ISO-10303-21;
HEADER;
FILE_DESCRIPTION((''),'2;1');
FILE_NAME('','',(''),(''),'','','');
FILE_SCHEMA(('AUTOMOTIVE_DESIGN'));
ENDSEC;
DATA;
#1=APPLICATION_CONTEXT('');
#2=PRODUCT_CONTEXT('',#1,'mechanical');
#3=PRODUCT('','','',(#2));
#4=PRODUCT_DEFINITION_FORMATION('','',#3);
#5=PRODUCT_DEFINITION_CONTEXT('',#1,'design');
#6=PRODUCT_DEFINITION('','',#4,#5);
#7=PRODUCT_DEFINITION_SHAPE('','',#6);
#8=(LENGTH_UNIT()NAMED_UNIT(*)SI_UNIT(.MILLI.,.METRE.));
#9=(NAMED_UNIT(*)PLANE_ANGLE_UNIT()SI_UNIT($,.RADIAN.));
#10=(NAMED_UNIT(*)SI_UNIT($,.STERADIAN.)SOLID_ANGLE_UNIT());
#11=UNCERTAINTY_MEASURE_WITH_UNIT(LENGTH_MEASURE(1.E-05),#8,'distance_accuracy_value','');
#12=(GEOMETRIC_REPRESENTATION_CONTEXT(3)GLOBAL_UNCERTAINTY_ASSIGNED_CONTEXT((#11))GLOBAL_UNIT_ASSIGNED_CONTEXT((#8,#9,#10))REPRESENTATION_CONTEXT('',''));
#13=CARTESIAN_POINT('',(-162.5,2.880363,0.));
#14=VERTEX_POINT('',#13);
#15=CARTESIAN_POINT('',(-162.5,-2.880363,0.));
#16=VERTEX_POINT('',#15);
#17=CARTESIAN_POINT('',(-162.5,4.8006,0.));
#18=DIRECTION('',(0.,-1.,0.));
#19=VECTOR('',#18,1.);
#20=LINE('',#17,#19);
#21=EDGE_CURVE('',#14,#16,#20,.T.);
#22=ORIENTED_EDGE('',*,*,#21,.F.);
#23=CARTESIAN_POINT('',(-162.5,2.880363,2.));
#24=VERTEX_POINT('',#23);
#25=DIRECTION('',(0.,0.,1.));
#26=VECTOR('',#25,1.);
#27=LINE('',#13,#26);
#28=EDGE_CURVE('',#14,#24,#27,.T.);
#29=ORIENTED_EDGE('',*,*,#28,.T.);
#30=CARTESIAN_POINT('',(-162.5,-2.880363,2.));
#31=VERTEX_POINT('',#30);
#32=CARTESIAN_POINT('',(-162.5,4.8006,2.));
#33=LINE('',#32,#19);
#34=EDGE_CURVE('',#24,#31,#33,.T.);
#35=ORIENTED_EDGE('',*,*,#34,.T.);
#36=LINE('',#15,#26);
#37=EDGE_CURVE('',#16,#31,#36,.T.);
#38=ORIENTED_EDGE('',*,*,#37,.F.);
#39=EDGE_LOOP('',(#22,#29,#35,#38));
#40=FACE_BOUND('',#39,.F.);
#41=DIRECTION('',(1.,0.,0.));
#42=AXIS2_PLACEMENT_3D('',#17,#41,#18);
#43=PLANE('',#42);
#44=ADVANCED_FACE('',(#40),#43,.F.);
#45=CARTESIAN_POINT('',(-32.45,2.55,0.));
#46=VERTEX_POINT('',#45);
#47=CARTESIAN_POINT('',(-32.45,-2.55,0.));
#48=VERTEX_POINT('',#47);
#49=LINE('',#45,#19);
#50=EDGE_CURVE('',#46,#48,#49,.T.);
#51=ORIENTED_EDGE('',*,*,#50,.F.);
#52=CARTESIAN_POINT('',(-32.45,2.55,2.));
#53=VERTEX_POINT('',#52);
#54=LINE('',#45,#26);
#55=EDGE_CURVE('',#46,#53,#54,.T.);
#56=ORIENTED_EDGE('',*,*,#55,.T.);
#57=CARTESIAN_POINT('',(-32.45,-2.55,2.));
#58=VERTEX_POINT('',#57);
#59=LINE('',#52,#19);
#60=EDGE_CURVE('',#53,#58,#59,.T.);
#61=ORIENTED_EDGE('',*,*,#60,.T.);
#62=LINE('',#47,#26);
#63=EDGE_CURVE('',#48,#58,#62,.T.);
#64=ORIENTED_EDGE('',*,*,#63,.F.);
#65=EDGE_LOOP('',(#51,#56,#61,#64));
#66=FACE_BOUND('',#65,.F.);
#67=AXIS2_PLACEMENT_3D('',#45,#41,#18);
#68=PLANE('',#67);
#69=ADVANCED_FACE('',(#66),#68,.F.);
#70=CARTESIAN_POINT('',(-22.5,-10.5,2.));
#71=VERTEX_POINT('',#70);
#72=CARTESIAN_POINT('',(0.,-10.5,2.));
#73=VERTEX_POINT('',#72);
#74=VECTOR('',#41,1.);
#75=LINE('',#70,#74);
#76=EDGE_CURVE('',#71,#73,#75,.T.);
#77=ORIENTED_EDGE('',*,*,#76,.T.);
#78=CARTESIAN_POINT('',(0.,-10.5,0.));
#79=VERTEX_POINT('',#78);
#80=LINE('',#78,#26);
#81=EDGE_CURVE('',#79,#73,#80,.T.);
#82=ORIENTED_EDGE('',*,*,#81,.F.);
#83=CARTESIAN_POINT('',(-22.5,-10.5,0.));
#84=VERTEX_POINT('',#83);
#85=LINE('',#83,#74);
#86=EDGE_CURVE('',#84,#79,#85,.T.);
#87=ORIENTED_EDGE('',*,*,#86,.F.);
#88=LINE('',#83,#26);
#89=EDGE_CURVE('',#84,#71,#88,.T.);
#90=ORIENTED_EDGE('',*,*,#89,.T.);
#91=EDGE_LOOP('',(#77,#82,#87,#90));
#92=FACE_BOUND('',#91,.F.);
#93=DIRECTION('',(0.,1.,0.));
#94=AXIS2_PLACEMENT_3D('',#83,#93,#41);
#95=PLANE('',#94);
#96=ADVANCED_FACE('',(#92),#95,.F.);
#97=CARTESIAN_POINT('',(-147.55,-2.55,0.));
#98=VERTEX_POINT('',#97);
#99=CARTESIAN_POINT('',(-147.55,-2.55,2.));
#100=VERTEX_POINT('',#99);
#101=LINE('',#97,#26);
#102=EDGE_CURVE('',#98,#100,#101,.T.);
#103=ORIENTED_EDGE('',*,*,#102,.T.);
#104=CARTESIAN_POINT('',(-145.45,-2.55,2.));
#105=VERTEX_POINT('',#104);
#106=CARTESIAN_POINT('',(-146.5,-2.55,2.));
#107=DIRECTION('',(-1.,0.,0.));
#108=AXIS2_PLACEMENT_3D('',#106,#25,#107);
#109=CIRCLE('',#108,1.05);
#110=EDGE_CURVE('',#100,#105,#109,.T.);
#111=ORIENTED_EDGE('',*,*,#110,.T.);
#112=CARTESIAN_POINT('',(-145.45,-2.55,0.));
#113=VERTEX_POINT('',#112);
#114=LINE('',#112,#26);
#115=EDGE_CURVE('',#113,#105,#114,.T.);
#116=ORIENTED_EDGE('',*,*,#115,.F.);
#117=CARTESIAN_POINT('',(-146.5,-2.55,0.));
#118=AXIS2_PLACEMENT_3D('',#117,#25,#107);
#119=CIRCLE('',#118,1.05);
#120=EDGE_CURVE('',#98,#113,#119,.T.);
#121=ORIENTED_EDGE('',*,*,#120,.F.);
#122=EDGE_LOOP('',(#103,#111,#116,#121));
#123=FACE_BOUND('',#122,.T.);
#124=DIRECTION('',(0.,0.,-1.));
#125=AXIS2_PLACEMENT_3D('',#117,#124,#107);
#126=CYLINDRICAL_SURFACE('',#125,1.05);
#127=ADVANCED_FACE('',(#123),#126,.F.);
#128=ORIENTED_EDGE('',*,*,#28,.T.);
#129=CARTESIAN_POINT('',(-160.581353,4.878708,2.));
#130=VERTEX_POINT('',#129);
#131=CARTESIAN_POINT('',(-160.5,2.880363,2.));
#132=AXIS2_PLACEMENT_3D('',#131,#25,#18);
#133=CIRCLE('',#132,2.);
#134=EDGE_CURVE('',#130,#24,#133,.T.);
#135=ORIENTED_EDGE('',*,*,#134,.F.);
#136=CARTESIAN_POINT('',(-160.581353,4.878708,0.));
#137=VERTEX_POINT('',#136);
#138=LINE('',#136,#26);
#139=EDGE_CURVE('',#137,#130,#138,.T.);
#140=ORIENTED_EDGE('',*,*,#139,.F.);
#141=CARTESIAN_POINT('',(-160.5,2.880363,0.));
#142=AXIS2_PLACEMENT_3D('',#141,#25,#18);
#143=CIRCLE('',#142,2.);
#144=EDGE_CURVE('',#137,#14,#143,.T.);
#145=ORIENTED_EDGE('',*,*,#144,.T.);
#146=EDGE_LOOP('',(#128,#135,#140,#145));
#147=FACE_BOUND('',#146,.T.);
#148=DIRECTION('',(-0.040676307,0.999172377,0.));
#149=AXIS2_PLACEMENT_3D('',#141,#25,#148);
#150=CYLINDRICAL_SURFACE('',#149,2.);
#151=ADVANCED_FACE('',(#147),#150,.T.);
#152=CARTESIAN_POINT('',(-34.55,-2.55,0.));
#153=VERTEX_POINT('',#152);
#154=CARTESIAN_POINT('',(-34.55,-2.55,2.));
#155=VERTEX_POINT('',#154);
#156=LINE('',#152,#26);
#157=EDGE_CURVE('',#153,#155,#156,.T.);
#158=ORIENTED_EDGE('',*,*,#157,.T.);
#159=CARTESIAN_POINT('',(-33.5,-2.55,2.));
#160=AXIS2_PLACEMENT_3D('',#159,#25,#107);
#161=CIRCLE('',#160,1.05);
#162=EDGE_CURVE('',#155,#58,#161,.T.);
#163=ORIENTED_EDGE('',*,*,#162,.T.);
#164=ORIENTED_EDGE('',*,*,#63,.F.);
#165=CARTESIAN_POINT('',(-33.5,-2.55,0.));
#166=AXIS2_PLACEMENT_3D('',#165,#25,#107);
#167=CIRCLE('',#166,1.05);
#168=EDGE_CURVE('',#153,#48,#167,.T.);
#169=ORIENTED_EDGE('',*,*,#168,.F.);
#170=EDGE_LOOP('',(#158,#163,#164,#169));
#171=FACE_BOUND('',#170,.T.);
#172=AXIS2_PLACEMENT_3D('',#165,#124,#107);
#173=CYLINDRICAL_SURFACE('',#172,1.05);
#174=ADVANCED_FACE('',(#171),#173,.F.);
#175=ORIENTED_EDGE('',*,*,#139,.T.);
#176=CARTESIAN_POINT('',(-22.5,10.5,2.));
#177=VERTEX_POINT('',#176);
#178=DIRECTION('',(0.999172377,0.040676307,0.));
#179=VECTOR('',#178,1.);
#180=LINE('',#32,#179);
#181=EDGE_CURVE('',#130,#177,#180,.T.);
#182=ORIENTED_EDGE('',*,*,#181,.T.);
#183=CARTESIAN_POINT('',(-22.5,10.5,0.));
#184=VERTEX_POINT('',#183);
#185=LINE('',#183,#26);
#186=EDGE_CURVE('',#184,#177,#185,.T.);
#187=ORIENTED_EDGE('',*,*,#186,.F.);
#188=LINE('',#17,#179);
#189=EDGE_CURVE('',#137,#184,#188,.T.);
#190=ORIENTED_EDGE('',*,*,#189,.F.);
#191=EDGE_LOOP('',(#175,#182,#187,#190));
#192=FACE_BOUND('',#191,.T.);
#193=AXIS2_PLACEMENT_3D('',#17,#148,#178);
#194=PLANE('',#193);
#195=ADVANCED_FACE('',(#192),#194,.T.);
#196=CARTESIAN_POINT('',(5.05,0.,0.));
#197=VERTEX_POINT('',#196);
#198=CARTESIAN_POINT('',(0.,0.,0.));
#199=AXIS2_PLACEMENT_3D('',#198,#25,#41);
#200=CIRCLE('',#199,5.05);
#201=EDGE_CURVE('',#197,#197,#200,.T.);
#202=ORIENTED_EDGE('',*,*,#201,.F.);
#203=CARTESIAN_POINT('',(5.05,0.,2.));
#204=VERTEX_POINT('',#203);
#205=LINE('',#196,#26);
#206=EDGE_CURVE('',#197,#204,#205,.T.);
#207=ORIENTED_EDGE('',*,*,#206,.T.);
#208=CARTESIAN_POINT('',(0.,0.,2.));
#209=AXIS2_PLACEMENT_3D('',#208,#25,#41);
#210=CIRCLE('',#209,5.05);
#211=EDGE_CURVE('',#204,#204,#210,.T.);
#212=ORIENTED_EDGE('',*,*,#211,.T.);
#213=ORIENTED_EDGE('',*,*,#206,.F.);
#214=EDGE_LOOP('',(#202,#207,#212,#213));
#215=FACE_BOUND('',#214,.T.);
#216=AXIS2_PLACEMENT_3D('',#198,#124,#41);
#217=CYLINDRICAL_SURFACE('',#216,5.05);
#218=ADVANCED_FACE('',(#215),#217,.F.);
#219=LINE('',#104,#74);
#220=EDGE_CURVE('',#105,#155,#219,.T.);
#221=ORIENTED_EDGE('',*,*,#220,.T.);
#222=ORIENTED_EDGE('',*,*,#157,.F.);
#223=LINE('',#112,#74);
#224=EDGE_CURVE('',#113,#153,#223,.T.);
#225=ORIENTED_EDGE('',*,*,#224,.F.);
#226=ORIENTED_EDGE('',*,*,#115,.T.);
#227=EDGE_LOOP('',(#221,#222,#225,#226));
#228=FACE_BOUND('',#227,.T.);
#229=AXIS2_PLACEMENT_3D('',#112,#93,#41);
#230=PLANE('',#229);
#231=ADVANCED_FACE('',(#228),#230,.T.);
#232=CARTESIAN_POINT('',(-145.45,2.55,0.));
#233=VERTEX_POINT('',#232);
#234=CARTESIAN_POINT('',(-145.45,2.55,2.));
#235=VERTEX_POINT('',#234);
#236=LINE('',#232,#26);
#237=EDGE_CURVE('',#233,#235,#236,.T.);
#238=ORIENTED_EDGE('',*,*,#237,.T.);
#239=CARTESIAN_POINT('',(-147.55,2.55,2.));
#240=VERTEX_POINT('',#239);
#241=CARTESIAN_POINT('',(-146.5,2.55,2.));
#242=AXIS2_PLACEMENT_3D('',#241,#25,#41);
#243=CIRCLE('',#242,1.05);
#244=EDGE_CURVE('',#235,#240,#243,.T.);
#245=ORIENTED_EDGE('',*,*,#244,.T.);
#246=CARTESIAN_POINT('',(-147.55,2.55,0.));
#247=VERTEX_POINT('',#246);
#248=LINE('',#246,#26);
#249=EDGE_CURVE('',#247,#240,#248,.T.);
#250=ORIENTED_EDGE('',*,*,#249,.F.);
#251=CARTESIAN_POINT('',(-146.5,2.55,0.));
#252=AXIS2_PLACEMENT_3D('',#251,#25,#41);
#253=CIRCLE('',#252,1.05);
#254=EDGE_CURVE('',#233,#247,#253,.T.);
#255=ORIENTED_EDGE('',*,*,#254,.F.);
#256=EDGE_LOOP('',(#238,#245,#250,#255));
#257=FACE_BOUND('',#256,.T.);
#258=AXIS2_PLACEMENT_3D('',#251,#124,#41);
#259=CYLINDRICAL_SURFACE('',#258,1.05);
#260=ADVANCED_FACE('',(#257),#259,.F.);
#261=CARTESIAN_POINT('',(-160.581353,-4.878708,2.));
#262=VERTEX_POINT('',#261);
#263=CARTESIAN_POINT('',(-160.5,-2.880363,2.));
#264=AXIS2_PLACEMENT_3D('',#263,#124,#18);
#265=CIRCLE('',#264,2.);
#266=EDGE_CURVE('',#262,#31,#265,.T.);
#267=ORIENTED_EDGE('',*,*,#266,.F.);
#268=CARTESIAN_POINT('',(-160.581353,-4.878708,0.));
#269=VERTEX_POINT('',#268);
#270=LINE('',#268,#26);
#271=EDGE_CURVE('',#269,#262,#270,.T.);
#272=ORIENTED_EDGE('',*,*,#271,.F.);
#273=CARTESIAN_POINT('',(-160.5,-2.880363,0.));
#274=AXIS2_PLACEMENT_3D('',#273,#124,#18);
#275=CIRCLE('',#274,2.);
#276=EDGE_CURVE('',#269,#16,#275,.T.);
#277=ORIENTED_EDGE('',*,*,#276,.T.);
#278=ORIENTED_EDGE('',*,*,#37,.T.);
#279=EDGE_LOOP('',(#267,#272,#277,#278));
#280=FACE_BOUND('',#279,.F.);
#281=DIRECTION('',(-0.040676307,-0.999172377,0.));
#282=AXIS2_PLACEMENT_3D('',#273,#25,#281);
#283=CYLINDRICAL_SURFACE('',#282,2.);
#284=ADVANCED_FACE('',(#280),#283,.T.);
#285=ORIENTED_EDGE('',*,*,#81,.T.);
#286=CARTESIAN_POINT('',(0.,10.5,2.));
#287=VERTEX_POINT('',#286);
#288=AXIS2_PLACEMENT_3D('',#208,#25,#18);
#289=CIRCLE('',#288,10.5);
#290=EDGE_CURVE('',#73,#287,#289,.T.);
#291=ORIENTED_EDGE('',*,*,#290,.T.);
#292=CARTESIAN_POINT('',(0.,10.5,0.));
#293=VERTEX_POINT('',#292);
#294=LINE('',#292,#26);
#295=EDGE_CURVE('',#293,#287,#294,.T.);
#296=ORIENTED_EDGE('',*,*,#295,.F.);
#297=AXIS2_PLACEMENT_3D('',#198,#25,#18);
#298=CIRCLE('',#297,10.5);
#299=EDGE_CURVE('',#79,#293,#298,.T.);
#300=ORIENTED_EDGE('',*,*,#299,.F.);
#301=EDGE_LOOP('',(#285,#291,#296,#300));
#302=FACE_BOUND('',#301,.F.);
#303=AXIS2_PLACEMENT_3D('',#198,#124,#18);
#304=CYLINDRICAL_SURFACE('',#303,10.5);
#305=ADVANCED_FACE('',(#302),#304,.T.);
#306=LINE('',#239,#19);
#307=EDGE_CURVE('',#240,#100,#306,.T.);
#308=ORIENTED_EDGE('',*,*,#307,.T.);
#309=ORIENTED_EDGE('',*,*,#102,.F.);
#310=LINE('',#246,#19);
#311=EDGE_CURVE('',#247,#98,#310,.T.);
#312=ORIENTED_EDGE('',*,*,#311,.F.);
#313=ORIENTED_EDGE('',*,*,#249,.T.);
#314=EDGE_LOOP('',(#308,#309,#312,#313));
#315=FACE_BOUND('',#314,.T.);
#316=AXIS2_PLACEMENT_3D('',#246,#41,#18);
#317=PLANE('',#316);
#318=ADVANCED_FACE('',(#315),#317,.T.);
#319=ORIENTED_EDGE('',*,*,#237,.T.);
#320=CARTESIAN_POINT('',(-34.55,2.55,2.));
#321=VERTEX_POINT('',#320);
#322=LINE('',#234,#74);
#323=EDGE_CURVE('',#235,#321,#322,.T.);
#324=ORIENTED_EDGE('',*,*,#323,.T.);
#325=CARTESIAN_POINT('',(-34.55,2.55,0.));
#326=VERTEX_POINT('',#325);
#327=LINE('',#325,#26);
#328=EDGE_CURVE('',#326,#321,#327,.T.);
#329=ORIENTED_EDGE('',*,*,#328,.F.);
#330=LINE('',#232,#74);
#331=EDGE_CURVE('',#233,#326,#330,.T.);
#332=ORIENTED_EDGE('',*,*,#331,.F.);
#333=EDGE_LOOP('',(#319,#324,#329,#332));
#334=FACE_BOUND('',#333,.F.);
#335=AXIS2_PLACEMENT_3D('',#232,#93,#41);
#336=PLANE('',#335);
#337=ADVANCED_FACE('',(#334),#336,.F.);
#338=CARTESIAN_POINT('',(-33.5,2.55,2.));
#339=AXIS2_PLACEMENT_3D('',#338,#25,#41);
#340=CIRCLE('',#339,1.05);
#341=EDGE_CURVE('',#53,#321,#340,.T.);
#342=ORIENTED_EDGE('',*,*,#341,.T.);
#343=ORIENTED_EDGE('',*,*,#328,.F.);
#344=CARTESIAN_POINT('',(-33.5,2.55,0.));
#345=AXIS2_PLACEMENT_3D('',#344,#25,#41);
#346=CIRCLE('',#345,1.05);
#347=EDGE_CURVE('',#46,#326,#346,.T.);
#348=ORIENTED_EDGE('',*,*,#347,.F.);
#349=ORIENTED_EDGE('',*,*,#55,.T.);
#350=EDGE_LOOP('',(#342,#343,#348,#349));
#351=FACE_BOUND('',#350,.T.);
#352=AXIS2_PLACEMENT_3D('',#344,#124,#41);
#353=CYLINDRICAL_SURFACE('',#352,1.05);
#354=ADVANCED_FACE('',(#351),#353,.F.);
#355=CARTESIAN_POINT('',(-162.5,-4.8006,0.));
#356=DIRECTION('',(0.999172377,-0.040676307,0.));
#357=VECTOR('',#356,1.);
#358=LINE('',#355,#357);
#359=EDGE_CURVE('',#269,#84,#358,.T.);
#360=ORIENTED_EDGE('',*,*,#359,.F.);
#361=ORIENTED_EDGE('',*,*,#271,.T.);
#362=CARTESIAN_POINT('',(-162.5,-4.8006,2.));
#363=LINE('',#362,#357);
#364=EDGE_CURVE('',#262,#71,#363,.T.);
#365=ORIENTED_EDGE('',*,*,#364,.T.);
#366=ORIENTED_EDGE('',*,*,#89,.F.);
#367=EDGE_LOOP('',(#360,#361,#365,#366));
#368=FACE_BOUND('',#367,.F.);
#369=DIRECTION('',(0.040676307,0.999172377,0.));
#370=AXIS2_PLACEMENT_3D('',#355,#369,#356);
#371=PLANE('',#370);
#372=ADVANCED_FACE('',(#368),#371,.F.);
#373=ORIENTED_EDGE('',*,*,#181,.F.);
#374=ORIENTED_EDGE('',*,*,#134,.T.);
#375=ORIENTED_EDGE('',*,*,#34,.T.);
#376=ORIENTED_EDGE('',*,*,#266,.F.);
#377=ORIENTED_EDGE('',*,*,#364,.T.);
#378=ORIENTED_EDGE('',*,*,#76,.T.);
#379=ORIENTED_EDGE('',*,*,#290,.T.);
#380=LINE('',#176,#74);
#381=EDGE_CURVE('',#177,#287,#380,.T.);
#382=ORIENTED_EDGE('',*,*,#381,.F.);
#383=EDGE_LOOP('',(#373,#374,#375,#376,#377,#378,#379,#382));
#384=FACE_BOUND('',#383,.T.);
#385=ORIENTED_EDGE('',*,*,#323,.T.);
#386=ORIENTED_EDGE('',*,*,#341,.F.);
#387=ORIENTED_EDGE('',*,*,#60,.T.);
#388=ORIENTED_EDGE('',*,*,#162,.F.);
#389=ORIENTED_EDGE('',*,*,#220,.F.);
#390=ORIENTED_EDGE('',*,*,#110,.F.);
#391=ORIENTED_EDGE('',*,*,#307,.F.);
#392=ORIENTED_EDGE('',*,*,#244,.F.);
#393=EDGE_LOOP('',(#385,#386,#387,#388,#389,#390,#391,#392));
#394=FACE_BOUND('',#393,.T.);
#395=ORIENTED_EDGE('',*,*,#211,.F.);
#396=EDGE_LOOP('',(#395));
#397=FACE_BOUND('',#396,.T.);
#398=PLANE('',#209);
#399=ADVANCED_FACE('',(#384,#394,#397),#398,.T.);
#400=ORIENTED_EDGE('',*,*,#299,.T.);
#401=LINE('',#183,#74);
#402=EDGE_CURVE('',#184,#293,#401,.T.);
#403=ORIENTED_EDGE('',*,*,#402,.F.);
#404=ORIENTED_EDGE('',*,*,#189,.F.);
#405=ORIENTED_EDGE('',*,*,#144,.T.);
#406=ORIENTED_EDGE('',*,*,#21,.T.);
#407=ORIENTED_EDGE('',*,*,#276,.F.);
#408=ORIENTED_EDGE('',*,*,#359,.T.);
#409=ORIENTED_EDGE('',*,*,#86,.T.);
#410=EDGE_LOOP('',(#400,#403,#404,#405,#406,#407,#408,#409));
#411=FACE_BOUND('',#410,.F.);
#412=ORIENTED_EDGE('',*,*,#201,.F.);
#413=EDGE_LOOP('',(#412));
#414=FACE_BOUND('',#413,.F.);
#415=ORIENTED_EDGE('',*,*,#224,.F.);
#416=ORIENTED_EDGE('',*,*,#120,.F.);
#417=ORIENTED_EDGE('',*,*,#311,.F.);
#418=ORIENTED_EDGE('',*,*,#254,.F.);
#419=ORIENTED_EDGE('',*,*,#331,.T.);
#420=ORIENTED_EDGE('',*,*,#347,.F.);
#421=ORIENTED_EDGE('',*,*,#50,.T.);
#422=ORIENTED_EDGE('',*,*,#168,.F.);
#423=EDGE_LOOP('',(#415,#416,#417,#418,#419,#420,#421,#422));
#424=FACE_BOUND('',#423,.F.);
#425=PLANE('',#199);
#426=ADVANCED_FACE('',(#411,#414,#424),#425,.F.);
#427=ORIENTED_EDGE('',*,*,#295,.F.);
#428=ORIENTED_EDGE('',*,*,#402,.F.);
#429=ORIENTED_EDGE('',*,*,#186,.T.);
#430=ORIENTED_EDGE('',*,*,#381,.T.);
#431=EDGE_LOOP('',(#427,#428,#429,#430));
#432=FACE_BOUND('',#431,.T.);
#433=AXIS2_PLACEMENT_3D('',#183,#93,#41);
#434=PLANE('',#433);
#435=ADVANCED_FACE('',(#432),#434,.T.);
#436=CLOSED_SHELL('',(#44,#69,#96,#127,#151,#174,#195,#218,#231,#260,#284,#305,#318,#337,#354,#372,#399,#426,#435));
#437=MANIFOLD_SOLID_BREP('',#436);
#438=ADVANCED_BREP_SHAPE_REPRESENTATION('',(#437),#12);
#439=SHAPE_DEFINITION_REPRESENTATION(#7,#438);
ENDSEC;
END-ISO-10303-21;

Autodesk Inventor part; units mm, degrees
ref_plane "YZ Plane" through (0, 0, 0) normal (1, 0, 0) x (0, 1, 0)
ref_plane "XZ Plane" through (0, 0, 0) normal (0, 1, 0) x (-1, 0, 0)
ref_plane "XY Plane" through (0, 0, 0) normal (0, 0, 1) x (1, 0, 0)
sketch "スケッチ1" plane through (0, 0, 0) normal (0, 0, 1) x (1, 0, 0)
  circle A0 centre (0, 0) radius 10.5 construction
  line L0 (0, 10.5) -> (-162.5, 10.5) construction
  line L1 (-162.5, 10.5) -> (-162.5, -10.5) construction
  line L2 (-162.5, -10.5) -> (0, -10.5) construction
  circle A1 centre (-157.5, 0) radius 1.55
  line L3 (-147.5, 2.5) -> (-32.5, 2.5) construction
  line L4 (-32.5, 2.5) -> (-32.5, -2.5) construction
  line L5 (-32.5, -2.5) -> (-147.5, -2.5) construction
  line L6 (-147.5, -2.5) -> (-147.5, 2.5) construction
  line L7 (-90, 2.5) -> (-90, -2.5) construction
  circle A2 centre (-22.5, 0) radius 1.55
  line L8 (-12, 21.3027) -> (-12, -27.3903) construction
  line L9 (-32.45, 2.55) -> (-147.55, 2.55) construction
  line L10 (-147.55, 2.55) -> (-147.55, -2.55) construction
  line L11 (-147.55, -2.55) -> (-32.45, -2.55) construction
  line L12 (-32.45, -2.55) -> (-32.45, 2.55) construction
  circle A3 centre (-146.5, 2.55) radius 1.05 construction
  line L13 (-147.5, 0) -> (-90, 0) construction
  line L14 (-147.55, 2.55) -> (-147.55, -2.55)
  arc A4 (-145.45, 2.55) -> (-147.55, 2.55) centre (-146.5, 2.55) ccw
  line L15 (-145.45, 2.55) -> (-34.55, 2.55)
  arc A5 (-32.45, 2.55) -> (-34.55, 2.55) centre (-33.5, 2.55) ccw
  line L16 (-32.45, 2.55) -> (-32.45, -2.55)
  arc A6 (-147.55, -2.55) -> (-145.45, -2.55) centre (-146.5, -2.55) ccw
  line L17 (-145.45, -2.55) -> (-34.55, -2.55)
  arc A7 (-34.55, -2.55) -> (-32.45, -2.55) centre (-33.5, -2.55) ccw
  circle A8 centre (0, 8.5) radius 1.35
  circle A9 centre (0, 0) radius 5.05
  circle A10 centre (-8.5, 0) radius 1.35
  circle A11 centre (0, -8.5) radius 1.35
  circle A12 centre (8.5, 0) radius 1.35
  line L18 (-162.5, 4.8006) -> (-162.5, -4.8006)
  line L19 (-162.5, 4.8006) -> (-22.5, 10.5)
  line L20 (-22.5, 10.5) -> (0, 10.5)
  line L21 (-162.5, -4.8006) -> (-22.5, -10.5)
  line L22 (-22.5, -10.5) -> (0, -10.5)
  arc A13 (0, -10.5) -> (0, 10.5) centre (0, 0) ccw
  circle A14 centre (-157.5, 0) radius 5 construction
  point P0 (-162.5, 0)
  dimension "d9" = 2.1
  dimension "d0" = 162.5
  dimension "d1" = 3.1
  dimension "d2" = 21
  dimension "d3" = 10
  dimension "d4" = 5
  dimension "d5" = 12
  dimension "d6" = 135
  dimension "d7" = 5
  dimension "d8" = 0.05
  dimension "d10" = 2.7
  dimension "d11" = 8.5
  dimension "d12" = 10.1
  dimension "d15" = 360
extrude "押し出し1" add sketch "スケッチ1" along normal blind 2
fillet "フィレット1" radius 2 2 edges at (-162.5, -4.8006, 1) (-162.5, 4.8006, 1)
sketch "スケッチ2" plane through (0, 0, 0) normal (0, 0, -1) x (-1, 0, 0)
  circle A0 centre (22.5, 0) radius 1.55 projected
  circle A1 centre (22.5, 0) radius 1.55
  circle A2 centre (8.5, 0) radius 1.35 projected
  circle A3 centre (8.5, 0) radius 1.35
  circle A4 centre (0, -8.5) radius 1.35 projected
  circle A5 centre (0, -8.5) radius 1.35
  circle A6 centre (-8.5, 0) radius 1.35 projected
  circle A7 centre (-8.5, 0) radius 1.35
  circle A8 centre (0, 8.5) radius 1.35 projected
  circle A9 centre (0, 8.5) radius 1.35
  circle A10 centre (157.5, 0) radius 1.55 projected
  circle A11 centre (157.5, 0) radius 1.55
  point P0 (0, 0)
extrude "押し出し2" add sketch "スケッチ2" against normal up to surface (2 mm away)
equation "\"H_head\" = 28.5"
equation "\"H_leg\" = 199.5"
equation "\"足の面積\" = 12720.125"
equation "\"現在の面積\" = 11560"
equation "\"足_短辺\" = 68"
equation "\"円柱\" = 313.5"
equation "\"胴体中心から手先\" = 342"
equation "\"H_leg_1\" = 186.2"
equation "\"H_leg_MAX\" = 399"
equation "\"H_head_1\" = 26.6"
equation "\"H_head_MAX\" = 142.5"
properties part number "前腕_メインフレーム_1_1" material "GFRP"
